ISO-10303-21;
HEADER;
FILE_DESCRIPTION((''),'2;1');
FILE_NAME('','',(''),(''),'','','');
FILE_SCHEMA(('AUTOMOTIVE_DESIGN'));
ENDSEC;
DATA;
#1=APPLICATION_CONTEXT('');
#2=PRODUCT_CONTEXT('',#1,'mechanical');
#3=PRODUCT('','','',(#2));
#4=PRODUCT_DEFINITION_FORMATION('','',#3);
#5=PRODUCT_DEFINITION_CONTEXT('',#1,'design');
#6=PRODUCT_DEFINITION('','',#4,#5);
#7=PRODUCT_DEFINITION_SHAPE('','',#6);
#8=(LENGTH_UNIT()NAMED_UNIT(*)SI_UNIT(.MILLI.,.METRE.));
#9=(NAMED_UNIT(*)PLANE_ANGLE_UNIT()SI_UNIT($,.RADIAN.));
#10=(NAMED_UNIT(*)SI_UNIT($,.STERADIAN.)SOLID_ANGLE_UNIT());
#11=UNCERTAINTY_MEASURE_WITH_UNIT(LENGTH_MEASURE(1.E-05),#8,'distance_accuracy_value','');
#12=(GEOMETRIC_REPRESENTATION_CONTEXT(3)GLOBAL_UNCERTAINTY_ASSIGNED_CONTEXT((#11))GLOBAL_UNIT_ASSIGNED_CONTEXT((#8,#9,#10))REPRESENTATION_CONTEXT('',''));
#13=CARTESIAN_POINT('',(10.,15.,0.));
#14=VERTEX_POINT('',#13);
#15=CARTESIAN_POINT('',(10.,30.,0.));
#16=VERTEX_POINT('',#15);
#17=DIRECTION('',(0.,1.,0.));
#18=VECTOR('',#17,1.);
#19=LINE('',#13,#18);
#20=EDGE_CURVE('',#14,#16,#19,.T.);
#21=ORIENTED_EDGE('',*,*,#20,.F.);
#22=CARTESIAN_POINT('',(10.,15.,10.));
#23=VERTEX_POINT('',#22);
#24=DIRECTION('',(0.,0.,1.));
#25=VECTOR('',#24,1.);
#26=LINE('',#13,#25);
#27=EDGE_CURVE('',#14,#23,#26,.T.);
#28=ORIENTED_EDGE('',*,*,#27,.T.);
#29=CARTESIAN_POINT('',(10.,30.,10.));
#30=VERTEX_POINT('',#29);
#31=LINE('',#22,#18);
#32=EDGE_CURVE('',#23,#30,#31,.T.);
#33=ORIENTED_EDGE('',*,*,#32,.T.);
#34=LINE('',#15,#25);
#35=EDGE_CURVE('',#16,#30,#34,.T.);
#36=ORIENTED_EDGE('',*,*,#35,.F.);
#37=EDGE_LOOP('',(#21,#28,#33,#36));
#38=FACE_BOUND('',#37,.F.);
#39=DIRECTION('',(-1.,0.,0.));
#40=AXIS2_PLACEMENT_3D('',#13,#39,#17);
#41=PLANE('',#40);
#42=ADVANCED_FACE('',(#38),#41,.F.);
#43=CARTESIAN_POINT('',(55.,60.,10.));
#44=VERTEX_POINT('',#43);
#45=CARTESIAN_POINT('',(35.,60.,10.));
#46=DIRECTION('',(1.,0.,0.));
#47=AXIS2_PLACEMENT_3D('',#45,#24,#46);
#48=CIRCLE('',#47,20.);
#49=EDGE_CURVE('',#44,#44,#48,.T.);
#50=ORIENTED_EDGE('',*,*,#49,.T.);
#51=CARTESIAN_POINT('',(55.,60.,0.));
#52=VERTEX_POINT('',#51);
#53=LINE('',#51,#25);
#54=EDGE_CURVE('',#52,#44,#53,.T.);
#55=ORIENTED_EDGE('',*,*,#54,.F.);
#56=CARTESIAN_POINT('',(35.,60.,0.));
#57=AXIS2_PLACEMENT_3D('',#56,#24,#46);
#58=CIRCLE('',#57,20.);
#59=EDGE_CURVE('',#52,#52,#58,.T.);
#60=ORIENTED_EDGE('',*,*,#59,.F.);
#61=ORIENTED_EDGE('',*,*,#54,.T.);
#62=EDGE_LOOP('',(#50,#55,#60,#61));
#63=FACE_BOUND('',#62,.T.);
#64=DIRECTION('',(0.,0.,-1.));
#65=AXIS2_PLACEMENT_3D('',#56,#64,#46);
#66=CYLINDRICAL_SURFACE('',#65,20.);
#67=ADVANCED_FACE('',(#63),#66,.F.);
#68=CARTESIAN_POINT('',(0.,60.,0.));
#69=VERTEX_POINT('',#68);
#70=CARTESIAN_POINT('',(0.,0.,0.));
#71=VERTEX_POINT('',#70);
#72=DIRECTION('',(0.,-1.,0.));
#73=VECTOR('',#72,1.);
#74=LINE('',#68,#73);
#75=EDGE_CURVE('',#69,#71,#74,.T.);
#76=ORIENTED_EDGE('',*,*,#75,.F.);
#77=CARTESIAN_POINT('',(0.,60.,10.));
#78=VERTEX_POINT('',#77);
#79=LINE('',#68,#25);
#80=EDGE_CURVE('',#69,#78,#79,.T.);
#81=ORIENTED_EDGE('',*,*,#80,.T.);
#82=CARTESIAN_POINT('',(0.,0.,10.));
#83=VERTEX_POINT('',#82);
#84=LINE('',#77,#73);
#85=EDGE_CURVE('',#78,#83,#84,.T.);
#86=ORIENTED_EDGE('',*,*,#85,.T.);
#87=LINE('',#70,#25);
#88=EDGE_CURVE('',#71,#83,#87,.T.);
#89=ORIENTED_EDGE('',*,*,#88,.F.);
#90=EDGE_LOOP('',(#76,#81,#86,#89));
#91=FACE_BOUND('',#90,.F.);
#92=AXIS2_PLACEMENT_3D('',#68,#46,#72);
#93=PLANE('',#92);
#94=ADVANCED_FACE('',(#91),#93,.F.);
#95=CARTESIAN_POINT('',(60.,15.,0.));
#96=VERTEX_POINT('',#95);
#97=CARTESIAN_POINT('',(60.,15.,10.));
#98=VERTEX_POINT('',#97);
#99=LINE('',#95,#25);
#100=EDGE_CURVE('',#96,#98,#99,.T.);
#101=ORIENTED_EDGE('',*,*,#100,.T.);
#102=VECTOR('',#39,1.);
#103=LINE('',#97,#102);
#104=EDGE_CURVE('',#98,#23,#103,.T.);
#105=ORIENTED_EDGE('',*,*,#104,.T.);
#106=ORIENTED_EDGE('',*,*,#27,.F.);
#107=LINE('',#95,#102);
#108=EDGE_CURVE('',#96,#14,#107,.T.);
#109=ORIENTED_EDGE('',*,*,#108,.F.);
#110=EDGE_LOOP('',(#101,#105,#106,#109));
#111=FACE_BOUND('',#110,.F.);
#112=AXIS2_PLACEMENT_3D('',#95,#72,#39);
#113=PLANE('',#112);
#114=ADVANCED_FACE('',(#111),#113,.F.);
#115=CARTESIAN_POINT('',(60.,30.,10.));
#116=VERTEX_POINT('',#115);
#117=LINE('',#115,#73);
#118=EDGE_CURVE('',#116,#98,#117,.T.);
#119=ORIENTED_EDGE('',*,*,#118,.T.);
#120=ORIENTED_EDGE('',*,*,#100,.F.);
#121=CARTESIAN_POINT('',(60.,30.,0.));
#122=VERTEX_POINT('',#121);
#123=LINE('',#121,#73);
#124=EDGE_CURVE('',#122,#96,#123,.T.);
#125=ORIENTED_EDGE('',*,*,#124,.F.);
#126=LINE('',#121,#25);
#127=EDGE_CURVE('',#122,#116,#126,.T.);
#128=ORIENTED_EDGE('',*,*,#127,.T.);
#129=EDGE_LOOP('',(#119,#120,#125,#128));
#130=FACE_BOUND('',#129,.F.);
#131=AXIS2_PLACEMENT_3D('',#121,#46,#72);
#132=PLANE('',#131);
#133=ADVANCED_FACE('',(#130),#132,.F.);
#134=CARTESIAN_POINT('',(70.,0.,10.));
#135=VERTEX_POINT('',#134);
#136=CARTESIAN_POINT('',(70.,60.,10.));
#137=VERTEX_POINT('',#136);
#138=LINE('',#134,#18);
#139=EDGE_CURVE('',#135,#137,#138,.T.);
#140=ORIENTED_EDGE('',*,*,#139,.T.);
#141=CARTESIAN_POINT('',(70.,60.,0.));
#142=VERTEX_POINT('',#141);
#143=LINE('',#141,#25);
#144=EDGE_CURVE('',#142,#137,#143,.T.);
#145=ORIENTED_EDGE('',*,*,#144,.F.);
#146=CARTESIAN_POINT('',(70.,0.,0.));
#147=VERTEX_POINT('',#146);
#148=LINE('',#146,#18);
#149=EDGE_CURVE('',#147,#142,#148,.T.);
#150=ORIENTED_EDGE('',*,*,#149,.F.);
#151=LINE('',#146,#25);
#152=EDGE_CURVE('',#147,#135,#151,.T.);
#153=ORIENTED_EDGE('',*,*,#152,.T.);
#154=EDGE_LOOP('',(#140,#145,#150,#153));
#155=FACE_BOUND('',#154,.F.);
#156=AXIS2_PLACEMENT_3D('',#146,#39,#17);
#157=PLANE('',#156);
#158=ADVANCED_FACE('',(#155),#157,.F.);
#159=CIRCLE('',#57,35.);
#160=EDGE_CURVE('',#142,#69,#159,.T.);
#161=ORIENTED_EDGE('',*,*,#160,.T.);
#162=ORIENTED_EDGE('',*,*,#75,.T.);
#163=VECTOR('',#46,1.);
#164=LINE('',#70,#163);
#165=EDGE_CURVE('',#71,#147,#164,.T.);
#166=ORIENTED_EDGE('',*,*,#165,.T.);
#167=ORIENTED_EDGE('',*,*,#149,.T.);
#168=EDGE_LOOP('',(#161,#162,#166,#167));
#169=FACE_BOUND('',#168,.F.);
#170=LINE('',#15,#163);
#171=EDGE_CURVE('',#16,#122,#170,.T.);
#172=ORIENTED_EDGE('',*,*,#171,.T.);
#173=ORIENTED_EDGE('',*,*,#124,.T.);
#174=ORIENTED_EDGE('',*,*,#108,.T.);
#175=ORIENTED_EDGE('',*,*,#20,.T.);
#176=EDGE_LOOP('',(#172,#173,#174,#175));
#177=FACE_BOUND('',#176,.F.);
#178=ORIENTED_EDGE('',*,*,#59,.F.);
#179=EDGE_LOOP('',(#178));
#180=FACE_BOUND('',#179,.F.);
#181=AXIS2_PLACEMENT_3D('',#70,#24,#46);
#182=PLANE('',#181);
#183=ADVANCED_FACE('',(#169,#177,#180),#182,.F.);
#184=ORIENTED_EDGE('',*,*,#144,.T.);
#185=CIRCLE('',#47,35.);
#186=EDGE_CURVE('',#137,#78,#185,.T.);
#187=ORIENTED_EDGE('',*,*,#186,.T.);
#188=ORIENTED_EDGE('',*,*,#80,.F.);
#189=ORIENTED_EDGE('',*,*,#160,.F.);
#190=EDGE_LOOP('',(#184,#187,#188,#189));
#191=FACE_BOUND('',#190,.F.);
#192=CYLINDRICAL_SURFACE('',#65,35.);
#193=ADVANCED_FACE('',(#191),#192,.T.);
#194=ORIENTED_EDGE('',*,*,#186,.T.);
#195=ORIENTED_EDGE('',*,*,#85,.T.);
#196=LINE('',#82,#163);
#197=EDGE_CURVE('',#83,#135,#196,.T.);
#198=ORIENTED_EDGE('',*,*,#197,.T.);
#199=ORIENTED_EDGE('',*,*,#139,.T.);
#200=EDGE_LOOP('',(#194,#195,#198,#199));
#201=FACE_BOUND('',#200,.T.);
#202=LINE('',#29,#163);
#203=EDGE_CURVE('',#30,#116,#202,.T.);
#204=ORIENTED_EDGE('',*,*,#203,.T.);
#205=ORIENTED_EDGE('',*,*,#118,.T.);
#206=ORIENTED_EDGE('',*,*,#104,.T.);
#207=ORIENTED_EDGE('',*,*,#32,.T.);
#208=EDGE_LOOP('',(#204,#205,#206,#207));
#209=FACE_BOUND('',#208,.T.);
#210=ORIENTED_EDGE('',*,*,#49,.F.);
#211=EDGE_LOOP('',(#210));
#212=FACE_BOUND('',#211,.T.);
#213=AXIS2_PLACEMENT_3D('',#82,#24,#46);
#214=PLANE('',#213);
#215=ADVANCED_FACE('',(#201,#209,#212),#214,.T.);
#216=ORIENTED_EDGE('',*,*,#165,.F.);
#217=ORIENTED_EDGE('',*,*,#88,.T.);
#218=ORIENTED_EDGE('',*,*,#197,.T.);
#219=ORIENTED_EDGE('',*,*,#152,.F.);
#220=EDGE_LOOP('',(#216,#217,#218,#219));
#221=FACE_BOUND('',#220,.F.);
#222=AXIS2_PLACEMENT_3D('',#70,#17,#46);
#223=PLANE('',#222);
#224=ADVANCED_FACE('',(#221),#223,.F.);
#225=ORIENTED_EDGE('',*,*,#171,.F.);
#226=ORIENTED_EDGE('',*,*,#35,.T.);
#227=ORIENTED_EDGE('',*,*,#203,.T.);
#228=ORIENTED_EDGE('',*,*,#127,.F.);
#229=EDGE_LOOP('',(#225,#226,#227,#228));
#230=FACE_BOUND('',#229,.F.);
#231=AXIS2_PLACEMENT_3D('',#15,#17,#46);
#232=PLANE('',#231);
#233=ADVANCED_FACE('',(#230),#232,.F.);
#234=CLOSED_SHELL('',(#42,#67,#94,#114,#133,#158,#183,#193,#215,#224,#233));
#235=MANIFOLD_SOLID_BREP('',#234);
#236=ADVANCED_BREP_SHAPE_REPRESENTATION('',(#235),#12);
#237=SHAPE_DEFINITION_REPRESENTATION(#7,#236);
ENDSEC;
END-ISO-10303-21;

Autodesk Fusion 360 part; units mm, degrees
sketch "Sketch1" plane through (0, 0, 0) normal (0, 0, 1) x (1, 0, 0)
  line L0 (0, 0) -> (70, 0)
  line L1 (70, 0) -> (70, 60)
  line L2 (0, 60) -> (0, 0)
  arc A0 (70, 60) -> (0, 60) centre (35, 60) ccw
  circle A1 centre (35, 60) radius 20
  line L3 (-35, 35) -> (-35, 45)
  line L4 (10, 30) -> (60, 30)
  line L5 (60, 30) -> (60, 15)
  line L6 (60, 15) -> (10, 15)
  line L7 (10, 15) -> (10, 30)
  dimension "d1" = 70
  dimension "d2" = 60
  dimension "d3" = 40
  dimension "d4" = 50
  dimension "d5" = 15
  dimension "d6" = 15
  dimension "d7" = 10
extrude "Extrude1" add sketch "Sketch1" along normal blind 10
